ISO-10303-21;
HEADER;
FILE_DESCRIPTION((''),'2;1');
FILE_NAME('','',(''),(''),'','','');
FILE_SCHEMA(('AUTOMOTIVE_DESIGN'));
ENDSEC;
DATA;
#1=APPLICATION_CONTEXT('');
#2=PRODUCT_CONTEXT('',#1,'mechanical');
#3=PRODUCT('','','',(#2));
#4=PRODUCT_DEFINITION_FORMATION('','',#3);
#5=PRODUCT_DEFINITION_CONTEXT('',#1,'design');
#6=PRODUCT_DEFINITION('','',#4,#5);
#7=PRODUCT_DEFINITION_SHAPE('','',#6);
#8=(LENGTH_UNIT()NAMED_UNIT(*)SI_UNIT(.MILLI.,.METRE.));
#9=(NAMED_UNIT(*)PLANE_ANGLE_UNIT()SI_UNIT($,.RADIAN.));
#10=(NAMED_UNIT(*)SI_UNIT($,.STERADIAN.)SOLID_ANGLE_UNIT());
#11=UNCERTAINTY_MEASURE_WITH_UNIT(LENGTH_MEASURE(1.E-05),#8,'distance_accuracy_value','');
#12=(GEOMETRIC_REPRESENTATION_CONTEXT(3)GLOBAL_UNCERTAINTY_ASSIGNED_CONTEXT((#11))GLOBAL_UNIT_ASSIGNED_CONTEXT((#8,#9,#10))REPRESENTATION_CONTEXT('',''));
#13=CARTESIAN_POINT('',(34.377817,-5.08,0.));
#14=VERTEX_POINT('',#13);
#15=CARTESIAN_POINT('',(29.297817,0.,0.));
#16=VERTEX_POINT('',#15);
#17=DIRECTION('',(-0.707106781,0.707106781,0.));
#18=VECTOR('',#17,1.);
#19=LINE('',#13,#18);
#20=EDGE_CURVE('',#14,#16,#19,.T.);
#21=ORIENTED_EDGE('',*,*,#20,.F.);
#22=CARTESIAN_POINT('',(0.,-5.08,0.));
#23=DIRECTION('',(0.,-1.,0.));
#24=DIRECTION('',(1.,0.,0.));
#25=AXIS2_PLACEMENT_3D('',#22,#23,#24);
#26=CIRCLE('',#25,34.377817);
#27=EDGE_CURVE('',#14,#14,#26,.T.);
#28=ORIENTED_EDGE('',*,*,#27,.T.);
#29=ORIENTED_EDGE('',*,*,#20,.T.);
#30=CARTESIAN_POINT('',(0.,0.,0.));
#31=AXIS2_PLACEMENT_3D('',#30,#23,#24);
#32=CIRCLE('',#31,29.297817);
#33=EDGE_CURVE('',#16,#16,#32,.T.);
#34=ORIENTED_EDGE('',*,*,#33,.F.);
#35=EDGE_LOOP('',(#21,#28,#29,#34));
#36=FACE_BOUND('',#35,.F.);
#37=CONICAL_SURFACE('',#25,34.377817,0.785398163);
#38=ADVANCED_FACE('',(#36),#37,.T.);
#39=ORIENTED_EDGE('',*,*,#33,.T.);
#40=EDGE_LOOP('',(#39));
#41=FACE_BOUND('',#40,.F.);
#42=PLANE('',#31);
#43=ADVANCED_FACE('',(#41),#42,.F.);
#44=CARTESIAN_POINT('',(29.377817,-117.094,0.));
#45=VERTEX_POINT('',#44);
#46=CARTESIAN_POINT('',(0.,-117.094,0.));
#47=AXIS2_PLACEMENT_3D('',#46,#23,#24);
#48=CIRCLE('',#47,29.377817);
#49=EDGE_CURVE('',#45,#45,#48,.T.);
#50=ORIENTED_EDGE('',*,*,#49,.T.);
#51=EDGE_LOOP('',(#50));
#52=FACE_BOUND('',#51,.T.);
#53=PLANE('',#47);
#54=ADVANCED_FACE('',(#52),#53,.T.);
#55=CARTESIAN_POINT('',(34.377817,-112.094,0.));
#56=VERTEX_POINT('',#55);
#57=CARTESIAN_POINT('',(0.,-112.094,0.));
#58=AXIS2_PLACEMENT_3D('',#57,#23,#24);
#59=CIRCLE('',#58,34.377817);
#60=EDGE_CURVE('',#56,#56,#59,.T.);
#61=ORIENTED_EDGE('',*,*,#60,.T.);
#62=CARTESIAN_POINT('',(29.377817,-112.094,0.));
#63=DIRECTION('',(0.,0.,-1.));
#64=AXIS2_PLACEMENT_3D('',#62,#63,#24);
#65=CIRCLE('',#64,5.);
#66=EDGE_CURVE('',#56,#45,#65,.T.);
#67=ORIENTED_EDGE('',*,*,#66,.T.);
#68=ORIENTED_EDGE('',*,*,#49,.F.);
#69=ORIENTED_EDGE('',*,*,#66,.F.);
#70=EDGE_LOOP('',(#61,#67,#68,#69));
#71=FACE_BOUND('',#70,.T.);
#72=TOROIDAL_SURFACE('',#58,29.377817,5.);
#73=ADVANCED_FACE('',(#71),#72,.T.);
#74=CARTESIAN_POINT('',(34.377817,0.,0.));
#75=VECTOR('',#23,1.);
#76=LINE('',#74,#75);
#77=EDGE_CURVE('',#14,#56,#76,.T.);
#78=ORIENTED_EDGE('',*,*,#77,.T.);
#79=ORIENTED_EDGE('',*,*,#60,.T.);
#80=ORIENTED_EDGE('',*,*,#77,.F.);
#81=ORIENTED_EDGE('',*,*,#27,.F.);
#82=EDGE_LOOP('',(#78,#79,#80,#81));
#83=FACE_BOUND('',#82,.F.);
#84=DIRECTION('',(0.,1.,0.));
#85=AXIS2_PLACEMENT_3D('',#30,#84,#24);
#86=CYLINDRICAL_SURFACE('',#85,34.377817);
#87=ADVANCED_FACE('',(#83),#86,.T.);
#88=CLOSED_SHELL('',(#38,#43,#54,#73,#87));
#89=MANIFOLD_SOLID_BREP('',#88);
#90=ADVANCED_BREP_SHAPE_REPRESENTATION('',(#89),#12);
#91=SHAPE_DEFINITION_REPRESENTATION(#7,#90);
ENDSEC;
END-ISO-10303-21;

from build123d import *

# Parameters (mm, degrees)
F0_R     = 34.377817
F1_DEPTH = 117.094
F2_SIZE  = 5.08
F3_R     = 5


with BuildPart() as f1:
    # F0 (on Front) → F1 (new body)
    with BuildSketch(Plane.XZ):
        Circle(F0_R)
    extrude(amount=F1_DEPTH)

    # F2
    f2_edges = [f1.edges().sort_by_distance(p)[0] for p in [
        (-34.377817, 0, 0),
    ]]
    chamfer(f2_edges, length=F2_SIZE)

    # F3
    f3_edges = [f1.edges().sort_by_distance(p)[0] for p in [
        (-34.377817, -117.094, 0),
    ]]
    fillet(f3_edges, radius=F3_R)


solid = f1.part
